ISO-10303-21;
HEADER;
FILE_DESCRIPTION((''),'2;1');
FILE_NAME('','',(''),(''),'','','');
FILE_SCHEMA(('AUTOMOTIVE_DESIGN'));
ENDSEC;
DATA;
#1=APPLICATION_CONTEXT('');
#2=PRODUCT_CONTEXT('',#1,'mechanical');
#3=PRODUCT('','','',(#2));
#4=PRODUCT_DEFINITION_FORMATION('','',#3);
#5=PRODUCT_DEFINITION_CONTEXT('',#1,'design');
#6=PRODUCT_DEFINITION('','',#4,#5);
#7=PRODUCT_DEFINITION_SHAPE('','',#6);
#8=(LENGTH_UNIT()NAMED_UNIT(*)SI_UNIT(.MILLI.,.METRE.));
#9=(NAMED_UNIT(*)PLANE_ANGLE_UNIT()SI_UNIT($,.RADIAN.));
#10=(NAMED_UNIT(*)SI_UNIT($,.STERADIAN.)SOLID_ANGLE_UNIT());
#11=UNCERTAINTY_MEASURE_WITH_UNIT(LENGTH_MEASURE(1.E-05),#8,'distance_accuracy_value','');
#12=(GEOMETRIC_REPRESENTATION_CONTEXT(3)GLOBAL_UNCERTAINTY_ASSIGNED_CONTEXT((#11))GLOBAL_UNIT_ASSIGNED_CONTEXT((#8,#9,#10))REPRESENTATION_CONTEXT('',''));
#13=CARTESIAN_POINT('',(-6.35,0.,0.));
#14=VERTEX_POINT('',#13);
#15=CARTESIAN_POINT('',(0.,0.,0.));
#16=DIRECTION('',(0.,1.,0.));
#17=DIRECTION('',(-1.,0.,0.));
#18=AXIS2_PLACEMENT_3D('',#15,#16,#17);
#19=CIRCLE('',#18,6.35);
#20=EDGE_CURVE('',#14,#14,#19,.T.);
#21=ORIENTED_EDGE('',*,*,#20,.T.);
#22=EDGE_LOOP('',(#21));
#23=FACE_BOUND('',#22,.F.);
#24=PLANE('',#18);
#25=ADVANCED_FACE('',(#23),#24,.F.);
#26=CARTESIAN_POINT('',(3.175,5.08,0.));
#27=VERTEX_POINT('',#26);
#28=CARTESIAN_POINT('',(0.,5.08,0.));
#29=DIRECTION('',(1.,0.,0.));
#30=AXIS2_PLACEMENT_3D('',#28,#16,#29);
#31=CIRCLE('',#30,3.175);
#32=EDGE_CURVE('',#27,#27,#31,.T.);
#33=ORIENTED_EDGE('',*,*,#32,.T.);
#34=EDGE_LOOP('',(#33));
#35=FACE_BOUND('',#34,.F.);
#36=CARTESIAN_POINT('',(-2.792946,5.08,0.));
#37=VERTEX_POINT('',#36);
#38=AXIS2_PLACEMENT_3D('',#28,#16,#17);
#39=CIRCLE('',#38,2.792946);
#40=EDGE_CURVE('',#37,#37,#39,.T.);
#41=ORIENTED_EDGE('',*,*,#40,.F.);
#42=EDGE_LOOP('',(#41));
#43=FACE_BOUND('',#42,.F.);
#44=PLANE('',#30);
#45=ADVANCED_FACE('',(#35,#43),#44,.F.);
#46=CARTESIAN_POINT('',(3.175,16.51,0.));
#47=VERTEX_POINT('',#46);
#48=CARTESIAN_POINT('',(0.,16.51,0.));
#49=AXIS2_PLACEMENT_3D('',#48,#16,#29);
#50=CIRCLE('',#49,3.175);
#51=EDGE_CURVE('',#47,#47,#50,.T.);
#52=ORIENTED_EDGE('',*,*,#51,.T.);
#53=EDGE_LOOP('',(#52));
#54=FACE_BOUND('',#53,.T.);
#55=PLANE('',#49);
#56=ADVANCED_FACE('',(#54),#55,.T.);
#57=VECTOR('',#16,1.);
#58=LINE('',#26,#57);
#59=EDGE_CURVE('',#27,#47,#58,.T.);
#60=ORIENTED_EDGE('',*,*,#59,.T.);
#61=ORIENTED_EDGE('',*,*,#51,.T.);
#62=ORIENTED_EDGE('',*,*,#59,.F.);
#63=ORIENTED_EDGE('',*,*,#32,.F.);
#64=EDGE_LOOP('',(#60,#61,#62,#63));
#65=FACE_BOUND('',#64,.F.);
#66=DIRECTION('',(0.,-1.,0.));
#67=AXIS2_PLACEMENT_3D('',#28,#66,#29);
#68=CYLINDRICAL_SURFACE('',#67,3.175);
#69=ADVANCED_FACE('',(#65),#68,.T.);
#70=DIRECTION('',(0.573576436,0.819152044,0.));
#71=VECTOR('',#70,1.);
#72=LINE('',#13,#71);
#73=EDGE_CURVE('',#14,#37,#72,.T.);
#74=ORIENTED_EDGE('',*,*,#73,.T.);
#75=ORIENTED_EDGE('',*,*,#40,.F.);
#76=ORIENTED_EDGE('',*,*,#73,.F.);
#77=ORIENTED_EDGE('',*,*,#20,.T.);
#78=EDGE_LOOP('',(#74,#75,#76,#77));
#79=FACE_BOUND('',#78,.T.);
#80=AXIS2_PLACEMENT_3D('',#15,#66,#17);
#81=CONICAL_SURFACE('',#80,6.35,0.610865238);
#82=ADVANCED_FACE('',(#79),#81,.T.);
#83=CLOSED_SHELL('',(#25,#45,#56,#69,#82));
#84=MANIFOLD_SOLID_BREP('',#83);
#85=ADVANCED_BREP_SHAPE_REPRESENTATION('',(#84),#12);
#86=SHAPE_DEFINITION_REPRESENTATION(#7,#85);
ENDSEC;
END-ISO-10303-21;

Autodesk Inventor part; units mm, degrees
ref_plane "YZ Plane" through (0, 0, 0) normal (1, 0, 0) x (0, 1, 0)
ref_plane "XZ Plane" through (0, 0, 0) normal (0, 1, 0) x (-1, 0, 0)
ref_plane "XY Plane" through (0, 0, 0) normal (0, 0, 1) x (1, 0, 0)
sketch "Sketch1" plane through (0, 0, 0) normal (0, 1, 0) x (-1, 0, 0)
  circle A0 centre (0, 0) radius 6.35
  dimension "d0" = 12.7
extrude "Extrusion1" add sketch "Sketch1" along normal blind 5.08 draft -35
sketch "Sketch2" plane through (0, 5.08, 0) normal (0, 1, 0) x (1, 0, 0)
  circle A0 centre (0, 0) radius 3.175
  dimension "d3" = 6.35
extrude "Extrusion2" add sketch "Sketch2" along normal blind 11.43
thread "Thread1" size "1/4-20 UNC" class "2A" standard "ANSI Unified Screw Threads" full length
properties part number "screw"
